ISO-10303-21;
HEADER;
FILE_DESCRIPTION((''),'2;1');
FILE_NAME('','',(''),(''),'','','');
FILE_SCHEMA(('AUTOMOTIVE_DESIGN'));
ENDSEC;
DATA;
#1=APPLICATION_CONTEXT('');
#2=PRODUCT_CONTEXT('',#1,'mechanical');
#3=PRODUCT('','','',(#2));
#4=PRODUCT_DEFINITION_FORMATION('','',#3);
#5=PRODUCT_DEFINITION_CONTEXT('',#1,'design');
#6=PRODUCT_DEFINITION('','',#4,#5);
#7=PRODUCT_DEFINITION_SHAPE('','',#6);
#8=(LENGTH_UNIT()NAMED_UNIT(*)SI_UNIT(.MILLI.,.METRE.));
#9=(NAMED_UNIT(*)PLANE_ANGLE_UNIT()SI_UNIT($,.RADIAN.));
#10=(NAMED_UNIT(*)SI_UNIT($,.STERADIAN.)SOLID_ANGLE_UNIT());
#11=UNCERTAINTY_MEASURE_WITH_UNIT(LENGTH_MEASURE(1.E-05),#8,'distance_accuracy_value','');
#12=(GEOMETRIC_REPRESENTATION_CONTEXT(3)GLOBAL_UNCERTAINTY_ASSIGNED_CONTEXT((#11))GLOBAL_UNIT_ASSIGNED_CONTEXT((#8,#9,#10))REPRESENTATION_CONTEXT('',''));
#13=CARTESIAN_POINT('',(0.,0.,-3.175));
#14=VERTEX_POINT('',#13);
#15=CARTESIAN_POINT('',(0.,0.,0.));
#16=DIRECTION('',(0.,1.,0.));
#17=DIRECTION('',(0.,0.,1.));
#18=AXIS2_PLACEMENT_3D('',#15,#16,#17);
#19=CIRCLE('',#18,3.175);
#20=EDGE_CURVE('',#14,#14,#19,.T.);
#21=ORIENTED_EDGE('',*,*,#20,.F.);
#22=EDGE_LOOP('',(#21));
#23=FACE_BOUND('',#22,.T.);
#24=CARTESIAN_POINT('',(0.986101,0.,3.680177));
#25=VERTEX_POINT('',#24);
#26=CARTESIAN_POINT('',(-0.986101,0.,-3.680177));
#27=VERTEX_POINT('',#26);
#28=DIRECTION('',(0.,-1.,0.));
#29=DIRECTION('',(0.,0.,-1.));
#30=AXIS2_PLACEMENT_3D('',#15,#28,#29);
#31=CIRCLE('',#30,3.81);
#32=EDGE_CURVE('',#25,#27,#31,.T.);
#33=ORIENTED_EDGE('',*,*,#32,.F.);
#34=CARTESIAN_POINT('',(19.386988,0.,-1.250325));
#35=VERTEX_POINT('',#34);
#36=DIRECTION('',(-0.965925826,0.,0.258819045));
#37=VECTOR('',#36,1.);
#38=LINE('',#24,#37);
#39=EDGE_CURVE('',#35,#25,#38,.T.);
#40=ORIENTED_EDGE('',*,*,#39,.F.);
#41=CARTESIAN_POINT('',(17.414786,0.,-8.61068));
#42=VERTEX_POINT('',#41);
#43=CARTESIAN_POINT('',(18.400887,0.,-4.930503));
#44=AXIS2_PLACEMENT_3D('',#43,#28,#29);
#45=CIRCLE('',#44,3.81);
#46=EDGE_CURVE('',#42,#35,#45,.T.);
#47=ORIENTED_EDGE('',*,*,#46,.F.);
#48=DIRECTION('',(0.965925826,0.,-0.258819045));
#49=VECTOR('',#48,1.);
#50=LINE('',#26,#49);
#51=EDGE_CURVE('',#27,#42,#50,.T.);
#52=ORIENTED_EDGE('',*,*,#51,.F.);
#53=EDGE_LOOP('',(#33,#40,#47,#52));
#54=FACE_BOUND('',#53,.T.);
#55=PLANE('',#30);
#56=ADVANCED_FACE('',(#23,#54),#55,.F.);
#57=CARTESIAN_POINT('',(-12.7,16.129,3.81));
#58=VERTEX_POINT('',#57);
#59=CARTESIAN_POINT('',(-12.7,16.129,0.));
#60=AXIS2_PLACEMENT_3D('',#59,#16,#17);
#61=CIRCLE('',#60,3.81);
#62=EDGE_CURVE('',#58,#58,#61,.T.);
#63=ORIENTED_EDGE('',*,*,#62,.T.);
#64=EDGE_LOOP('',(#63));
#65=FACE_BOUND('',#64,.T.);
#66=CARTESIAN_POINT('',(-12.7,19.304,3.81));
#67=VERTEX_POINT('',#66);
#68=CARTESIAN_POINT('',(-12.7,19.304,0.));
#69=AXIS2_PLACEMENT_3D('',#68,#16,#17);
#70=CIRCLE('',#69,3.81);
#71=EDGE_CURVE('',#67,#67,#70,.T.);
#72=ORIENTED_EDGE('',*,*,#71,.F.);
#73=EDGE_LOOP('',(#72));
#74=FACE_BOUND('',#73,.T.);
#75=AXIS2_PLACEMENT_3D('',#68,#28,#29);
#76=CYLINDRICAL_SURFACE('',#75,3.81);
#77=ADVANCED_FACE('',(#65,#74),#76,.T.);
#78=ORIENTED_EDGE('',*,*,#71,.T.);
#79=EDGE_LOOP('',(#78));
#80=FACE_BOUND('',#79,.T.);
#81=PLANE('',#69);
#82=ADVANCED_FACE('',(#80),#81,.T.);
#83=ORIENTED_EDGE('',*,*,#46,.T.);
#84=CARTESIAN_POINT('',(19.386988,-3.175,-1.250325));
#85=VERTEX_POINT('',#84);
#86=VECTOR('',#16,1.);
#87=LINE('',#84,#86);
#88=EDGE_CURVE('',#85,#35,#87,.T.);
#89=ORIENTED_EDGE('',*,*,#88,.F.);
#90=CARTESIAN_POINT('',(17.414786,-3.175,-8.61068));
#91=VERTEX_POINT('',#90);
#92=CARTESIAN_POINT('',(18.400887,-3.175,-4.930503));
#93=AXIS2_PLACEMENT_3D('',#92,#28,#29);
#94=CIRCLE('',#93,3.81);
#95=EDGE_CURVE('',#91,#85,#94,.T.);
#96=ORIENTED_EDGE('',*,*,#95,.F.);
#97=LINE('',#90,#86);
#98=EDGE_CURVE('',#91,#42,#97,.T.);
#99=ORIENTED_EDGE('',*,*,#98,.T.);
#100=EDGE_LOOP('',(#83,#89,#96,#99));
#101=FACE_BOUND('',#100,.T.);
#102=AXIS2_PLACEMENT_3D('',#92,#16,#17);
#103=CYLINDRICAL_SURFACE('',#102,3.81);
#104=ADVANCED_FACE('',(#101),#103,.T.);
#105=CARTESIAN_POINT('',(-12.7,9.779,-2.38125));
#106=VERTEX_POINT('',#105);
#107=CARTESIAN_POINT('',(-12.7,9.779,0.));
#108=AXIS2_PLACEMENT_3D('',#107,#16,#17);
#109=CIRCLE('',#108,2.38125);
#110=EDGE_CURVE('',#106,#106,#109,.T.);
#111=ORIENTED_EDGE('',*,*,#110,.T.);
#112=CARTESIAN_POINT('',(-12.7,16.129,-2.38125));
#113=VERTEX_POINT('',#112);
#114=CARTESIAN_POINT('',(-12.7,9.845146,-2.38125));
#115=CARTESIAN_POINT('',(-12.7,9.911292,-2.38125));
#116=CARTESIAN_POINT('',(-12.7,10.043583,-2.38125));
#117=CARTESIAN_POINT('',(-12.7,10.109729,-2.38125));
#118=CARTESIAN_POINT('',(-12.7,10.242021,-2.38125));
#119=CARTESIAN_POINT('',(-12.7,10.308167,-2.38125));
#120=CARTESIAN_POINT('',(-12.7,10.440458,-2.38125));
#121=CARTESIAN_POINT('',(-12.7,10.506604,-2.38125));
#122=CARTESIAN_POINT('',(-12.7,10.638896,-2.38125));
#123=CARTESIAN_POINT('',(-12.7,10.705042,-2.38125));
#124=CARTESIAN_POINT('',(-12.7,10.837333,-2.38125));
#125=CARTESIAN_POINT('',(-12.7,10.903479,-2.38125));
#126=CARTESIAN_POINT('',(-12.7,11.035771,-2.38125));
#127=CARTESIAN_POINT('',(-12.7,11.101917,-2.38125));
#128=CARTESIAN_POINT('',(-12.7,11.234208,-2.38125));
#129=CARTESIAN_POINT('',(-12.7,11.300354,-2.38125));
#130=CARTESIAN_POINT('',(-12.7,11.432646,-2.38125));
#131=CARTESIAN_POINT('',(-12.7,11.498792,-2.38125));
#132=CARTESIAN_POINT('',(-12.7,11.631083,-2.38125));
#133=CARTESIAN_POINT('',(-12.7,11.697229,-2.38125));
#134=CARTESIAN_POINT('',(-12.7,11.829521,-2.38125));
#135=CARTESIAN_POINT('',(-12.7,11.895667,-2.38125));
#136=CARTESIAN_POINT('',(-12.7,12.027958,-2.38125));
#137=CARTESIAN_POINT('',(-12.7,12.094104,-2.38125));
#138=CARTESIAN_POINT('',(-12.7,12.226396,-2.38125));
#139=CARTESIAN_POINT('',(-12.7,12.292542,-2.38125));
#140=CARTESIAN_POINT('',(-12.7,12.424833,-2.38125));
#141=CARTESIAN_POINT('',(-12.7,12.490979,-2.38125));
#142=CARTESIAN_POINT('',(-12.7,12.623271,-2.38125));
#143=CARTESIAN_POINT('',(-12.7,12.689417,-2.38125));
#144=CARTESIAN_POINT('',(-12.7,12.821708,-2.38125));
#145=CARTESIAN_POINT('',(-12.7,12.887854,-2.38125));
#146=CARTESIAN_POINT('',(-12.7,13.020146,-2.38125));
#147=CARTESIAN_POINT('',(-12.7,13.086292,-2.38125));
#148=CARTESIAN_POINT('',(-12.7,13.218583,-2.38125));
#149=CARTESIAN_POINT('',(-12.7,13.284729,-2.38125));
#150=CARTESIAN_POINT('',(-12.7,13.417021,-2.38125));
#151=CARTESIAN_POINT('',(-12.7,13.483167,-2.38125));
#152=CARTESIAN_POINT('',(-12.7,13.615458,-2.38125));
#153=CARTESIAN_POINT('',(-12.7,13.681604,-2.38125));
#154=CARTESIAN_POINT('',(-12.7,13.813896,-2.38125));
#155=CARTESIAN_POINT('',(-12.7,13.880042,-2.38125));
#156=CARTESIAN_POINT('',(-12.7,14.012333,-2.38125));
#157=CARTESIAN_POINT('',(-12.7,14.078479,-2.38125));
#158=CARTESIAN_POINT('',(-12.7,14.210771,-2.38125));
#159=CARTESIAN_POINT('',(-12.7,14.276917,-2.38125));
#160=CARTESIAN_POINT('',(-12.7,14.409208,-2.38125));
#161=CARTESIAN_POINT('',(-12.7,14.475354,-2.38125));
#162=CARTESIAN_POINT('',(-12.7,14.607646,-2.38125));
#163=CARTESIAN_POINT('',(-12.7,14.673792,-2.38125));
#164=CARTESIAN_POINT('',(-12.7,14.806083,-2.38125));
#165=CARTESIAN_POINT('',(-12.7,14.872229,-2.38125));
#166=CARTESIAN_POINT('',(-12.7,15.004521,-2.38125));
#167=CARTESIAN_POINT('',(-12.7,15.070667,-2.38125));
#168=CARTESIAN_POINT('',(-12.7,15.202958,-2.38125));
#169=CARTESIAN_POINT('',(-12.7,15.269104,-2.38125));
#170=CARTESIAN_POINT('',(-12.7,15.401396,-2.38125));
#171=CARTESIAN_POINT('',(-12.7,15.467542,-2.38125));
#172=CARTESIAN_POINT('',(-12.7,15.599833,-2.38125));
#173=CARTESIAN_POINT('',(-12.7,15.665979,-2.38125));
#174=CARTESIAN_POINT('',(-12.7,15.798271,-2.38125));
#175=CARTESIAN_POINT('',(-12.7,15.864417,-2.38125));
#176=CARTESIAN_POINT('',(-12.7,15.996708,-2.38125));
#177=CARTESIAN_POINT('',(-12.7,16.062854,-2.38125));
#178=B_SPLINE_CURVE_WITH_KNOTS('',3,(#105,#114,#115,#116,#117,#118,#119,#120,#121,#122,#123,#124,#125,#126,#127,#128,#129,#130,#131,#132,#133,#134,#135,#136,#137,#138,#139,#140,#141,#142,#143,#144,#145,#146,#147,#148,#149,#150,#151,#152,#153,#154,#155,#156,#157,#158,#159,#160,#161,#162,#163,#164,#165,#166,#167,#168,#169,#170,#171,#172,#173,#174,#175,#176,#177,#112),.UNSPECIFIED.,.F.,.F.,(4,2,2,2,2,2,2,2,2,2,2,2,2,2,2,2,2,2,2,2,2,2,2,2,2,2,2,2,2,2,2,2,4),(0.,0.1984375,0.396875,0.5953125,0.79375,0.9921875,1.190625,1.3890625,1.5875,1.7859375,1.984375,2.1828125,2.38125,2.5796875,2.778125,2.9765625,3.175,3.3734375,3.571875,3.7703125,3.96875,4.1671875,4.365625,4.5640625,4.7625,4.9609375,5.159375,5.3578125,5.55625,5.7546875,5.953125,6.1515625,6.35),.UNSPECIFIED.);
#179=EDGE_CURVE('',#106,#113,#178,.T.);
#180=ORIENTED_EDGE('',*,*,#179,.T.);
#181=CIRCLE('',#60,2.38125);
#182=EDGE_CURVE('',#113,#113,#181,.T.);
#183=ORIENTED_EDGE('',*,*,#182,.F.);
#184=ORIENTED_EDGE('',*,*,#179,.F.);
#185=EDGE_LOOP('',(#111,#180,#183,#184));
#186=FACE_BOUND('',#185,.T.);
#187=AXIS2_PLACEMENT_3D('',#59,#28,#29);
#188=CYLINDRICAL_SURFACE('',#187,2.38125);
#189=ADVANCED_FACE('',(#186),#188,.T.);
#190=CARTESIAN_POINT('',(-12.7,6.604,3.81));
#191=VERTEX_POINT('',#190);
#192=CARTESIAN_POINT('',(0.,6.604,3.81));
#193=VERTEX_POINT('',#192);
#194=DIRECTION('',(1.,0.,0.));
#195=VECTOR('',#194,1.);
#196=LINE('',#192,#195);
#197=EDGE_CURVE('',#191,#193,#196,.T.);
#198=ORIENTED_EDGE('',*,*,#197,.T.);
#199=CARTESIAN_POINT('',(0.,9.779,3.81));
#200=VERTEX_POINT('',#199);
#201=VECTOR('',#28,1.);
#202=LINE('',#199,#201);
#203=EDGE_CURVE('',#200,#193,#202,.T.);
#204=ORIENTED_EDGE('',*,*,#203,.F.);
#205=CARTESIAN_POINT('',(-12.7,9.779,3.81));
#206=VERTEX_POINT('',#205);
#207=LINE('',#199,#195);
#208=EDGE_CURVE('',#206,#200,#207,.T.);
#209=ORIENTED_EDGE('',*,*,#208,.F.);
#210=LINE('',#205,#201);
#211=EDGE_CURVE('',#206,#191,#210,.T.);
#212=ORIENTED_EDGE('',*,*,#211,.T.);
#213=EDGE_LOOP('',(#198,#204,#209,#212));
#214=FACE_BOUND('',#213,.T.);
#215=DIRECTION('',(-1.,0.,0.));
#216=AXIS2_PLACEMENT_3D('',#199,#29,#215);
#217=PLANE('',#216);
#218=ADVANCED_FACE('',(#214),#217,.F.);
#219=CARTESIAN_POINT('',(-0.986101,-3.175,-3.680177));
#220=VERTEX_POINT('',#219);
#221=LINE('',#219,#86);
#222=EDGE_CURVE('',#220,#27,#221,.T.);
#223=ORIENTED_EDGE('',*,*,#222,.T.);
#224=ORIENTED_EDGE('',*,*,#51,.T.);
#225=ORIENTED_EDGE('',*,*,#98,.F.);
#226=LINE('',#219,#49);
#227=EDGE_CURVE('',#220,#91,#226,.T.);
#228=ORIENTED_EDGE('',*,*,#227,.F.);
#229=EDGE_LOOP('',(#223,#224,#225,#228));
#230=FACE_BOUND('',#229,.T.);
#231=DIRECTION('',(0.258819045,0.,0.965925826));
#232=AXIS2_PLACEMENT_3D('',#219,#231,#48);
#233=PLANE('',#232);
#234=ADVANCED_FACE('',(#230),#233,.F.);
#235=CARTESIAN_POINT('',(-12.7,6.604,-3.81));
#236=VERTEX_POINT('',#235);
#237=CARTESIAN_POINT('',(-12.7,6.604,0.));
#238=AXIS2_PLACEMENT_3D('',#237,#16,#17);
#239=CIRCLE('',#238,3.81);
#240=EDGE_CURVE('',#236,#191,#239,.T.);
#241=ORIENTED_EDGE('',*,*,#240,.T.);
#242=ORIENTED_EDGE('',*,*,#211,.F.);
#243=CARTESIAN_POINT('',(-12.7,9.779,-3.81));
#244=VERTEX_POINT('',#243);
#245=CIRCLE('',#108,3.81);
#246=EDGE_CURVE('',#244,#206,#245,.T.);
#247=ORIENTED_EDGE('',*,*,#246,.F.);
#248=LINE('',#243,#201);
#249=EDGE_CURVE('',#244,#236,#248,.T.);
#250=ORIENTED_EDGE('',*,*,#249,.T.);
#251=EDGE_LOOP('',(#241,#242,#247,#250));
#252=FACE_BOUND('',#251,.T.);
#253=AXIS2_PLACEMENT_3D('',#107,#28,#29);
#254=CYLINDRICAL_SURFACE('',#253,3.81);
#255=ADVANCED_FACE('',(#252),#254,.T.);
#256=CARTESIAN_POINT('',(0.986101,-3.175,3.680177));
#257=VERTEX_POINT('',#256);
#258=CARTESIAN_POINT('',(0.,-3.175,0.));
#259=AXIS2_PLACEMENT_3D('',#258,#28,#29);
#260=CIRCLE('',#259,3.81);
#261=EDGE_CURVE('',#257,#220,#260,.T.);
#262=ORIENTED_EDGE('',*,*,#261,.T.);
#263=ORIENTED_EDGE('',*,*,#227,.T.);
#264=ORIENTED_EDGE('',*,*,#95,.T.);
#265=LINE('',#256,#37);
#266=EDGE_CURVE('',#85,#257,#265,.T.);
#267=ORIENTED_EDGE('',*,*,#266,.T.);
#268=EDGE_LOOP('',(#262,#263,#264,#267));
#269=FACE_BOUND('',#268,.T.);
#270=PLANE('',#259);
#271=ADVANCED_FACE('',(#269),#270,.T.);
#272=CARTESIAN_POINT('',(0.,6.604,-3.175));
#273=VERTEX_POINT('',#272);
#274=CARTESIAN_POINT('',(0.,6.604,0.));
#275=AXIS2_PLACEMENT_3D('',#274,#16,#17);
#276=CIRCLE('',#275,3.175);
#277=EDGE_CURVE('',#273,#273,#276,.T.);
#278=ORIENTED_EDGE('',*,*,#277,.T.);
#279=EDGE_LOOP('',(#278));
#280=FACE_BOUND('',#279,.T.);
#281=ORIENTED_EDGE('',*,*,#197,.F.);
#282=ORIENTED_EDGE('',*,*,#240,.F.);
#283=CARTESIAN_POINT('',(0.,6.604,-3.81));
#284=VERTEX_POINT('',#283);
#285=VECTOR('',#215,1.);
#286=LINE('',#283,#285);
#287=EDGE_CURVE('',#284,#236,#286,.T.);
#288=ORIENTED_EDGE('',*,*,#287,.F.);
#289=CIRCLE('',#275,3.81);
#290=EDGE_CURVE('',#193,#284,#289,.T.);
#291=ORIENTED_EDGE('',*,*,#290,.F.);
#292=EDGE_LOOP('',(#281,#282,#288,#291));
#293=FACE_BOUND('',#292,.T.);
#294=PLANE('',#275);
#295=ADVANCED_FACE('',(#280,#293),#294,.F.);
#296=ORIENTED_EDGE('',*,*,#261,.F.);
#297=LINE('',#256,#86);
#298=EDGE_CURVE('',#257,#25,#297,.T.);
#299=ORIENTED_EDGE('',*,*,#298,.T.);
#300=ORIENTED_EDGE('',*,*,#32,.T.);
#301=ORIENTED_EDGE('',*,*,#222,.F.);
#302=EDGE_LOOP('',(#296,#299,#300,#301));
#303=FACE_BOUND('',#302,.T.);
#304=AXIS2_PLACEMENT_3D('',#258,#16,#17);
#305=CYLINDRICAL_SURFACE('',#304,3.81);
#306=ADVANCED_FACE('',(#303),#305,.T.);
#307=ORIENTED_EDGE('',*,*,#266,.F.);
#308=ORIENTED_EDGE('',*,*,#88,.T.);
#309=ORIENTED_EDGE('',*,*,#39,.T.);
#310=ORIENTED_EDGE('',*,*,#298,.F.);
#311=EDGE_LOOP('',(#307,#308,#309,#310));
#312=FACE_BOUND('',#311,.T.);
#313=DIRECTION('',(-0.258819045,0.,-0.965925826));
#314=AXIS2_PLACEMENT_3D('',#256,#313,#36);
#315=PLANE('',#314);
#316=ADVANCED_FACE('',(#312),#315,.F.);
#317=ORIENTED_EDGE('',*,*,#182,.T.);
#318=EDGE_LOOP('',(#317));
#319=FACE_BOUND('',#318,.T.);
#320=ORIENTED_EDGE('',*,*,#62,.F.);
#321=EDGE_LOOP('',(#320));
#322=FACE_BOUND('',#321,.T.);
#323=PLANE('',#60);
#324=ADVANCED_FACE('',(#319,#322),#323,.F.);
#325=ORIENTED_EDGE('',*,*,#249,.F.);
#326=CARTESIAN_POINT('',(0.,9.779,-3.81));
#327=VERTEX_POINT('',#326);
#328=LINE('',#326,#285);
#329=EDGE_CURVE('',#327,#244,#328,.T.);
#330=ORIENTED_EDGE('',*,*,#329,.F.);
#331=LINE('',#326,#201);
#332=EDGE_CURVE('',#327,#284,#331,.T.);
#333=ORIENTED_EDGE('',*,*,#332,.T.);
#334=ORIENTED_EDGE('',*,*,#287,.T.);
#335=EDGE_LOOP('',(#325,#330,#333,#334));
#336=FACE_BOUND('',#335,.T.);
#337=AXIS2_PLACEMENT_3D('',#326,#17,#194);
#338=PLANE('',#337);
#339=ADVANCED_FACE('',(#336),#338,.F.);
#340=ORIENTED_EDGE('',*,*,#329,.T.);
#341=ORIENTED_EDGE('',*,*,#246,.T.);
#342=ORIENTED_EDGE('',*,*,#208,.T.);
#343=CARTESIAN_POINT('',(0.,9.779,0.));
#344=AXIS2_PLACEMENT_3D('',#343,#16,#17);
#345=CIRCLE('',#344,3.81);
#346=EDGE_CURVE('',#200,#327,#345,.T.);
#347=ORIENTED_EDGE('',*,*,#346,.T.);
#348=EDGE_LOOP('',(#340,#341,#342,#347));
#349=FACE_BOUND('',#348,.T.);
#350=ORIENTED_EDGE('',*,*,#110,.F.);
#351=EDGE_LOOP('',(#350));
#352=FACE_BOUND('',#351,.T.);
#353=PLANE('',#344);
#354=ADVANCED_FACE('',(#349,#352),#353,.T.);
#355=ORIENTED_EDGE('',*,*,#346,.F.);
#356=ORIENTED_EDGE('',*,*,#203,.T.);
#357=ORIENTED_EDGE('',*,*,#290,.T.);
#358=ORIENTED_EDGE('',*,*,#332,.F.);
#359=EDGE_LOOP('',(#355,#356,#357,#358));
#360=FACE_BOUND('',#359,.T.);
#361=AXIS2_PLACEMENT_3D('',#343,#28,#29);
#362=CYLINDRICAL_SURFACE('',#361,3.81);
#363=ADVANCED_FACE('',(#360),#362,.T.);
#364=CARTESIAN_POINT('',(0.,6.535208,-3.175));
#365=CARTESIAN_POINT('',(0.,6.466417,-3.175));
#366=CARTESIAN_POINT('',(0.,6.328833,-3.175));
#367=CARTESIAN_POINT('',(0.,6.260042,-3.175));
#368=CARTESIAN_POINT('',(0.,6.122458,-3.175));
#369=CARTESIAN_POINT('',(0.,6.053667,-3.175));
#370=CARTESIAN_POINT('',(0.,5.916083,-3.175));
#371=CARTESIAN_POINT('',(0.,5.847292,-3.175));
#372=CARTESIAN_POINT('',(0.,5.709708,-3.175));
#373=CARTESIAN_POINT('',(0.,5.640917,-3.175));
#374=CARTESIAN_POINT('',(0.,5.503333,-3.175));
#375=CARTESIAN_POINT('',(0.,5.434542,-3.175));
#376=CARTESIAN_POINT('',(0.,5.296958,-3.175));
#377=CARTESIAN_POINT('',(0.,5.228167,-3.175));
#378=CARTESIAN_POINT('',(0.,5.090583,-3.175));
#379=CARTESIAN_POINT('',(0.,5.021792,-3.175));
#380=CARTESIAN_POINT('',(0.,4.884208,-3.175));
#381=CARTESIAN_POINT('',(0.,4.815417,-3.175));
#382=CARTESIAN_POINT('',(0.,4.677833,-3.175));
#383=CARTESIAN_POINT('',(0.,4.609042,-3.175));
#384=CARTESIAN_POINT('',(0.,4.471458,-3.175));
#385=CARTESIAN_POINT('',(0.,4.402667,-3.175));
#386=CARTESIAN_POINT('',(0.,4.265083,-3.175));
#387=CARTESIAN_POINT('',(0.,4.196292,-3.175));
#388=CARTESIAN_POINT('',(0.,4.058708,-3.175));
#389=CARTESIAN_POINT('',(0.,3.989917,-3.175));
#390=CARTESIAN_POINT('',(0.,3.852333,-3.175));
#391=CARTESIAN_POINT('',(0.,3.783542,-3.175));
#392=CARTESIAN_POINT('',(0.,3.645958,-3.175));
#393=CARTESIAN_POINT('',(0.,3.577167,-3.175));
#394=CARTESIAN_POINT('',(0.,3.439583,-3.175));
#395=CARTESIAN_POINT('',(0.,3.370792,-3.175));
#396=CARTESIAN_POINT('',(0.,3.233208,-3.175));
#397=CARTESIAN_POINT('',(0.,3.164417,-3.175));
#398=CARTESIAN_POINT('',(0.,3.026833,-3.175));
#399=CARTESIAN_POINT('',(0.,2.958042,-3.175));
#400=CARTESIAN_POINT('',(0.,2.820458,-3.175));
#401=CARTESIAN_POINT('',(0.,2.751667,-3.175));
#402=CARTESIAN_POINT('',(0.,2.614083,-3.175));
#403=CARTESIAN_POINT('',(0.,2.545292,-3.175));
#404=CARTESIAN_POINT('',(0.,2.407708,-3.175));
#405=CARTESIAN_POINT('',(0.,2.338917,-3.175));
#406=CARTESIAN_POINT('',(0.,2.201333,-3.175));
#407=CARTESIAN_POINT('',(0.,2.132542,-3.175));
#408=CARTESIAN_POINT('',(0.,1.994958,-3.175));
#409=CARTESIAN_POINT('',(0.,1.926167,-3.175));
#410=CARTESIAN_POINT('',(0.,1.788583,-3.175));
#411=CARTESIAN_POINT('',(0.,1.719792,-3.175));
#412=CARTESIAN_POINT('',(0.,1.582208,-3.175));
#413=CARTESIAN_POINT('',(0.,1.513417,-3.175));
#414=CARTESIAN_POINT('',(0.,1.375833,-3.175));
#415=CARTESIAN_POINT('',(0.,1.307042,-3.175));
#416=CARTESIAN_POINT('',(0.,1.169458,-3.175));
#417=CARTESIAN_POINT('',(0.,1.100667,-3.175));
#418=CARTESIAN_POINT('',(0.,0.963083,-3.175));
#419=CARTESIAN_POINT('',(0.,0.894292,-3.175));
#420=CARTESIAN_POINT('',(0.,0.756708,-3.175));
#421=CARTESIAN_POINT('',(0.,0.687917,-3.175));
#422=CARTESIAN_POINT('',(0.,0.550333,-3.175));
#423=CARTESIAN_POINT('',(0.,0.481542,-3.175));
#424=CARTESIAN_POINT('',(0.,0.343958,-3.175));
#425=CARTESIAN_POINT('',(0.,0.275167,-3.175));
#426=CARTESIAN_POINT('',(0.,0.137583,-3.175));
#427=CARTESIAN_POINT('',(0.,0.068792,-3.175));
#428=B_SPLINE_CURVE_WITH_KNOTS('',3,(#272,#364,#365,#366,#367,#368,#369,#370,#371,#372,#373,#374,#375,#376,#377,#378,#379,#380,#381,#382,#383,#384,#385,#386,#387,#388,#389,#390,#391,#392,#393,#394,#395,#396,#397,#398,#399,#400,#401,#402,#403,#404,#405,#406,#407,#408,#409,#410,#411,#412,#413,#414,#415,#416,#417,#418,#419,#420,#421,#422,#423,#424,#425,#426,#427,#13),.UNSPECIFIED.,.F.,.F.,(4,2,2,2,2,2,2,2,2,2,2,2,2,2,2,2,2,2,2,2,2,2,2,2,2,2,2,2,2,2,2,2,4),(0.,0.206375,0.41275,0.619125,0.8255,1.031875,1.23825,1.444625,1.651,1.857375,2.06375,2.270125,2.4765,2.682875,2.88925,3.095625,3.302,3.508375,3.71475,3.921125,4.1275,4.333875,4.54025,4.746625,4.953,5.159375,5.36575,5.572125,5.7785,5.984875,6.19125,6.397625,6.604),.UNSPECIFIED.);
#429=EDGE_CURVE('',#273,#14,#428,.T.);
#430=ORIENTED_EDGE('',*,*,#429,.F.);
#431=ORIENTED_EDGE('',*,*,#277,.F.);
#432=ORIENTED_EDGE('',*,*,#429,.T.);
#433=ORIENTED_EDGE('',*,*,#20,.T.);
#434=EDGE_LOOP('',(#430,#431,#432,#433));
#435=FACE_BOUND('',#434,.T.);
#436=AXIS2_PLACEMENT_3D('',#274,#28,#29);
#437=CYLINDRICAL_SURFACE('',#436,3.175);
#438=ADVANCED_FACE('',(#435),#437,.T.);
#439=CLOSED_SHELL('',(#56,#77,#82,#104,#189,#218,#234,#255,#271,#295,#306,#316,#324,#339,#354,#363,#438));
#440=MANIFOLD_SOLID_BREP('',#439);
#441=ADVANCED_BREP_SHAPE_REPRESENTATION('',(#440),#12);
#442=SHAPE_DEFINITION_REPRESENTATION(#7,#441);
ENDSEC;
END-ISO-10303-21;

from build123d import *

# Parameters (mm, degrees)
SKETCH1_R           = 3.175
BOSS_EXTRUDE1_DEPTH = 6.604
SKETCH2_R           = 2.38125
BOSS_EXTRUDE2_DEPTH = 3.175
SKETCH2_3_R         = 2.38125
BOSS_EXTRUDE3_DEPTH = 9.525
SKETCH4_R           = 3.81
BOSS_EXTRUDE4_DEPTH = 3.175
BOSS_EXTRUDE5_START = 3.175
BOSS_EXTRUDE5_DEPTH = 3.175


with BuildPart() as part:
    # Sketch1 → Boss-Extrude1 (new body)
    with BuildSketch(Plane(origin=(0, 0, 0), x_dir=(1, 0, 0), z_dir=(0, 1, 0))):
        Circle(SKETCH1_R)
    extrude(amount=BOSS_EXTRUDE1_DEPTH)

    # Sketch2 → Boss-Extrude2 (add)
    with BuildSketch(Plane(origin=(0, 6.604, 0), x_dir=(1, 0, 0), z_dir=(0, 1, 0))):
        with BuildLine():
            Line((0, -3.81), (-12.7, -3.81))
            ThreePointArc((-12.7, -3.81), (-16.51, 0), (-12.7, 3.81))
            Line((-12.7, 3.81), (0, 3.81))
            ThreePointArc((0, 3.81), (3.81, 0), (0, -3.81))
        make_face()
        with Locations((-12.7, 0)):
            Circle(SKETCH2_R, mode=Mode.SUBTRACT)
    extrude(amount=BOSS_EXTRUDE2_DEPTH)

    # Sketch2<3> → Boss-Extrude3 (add)
    with BuildSketch(Plane(origin=(0, 6.604, 0), x_dir=(1, 0, 0), z_dir=(0, 1, 0))):
        with Locations((-12.7, 0)):
            Circle(SKETCH2_3_R)
    extrude(amount=BOSS_EXTRUDE3_DEPTH)

    # Sketch4 → Boss-Extrude4 (add)
    with BuildSketch(Plane(origin=(0, 16.129, 0), x_dir=(1, 0, 0), z_dir=(0, 1, 0))):
        with Locations((-12.7, 0)):
            Circle(SKETCH4_R)
    extrude(amount=BOSS_EXTRUDE4_DEPTH)

    # Sketch5 → Boss-Extrude5 (add)
    with BuildSketch(Plane.XZ.offset(BOSS_EXTRUDE5_START)):
        with BuildLine():
            Line((0.986100562, 3.680177398), (19.386987553, -1.250325411))
            ThreePointArc((19.386987553, -1.250325411), (22.081064389, -5.916603371), (17.414786429, -8.610680207))
            Line((17.414786429, -8.610680207), (-0.986100562, -3.680177398))
            ThreePointArc((-0.986100562, -3.680177398), (-3.680177398, 0.986100562), (0.986100562, 3.680177398))
        make_face()
    extrude(amount=-BOSS_EXTRUDE5_DEPTH)


solid = part.part
